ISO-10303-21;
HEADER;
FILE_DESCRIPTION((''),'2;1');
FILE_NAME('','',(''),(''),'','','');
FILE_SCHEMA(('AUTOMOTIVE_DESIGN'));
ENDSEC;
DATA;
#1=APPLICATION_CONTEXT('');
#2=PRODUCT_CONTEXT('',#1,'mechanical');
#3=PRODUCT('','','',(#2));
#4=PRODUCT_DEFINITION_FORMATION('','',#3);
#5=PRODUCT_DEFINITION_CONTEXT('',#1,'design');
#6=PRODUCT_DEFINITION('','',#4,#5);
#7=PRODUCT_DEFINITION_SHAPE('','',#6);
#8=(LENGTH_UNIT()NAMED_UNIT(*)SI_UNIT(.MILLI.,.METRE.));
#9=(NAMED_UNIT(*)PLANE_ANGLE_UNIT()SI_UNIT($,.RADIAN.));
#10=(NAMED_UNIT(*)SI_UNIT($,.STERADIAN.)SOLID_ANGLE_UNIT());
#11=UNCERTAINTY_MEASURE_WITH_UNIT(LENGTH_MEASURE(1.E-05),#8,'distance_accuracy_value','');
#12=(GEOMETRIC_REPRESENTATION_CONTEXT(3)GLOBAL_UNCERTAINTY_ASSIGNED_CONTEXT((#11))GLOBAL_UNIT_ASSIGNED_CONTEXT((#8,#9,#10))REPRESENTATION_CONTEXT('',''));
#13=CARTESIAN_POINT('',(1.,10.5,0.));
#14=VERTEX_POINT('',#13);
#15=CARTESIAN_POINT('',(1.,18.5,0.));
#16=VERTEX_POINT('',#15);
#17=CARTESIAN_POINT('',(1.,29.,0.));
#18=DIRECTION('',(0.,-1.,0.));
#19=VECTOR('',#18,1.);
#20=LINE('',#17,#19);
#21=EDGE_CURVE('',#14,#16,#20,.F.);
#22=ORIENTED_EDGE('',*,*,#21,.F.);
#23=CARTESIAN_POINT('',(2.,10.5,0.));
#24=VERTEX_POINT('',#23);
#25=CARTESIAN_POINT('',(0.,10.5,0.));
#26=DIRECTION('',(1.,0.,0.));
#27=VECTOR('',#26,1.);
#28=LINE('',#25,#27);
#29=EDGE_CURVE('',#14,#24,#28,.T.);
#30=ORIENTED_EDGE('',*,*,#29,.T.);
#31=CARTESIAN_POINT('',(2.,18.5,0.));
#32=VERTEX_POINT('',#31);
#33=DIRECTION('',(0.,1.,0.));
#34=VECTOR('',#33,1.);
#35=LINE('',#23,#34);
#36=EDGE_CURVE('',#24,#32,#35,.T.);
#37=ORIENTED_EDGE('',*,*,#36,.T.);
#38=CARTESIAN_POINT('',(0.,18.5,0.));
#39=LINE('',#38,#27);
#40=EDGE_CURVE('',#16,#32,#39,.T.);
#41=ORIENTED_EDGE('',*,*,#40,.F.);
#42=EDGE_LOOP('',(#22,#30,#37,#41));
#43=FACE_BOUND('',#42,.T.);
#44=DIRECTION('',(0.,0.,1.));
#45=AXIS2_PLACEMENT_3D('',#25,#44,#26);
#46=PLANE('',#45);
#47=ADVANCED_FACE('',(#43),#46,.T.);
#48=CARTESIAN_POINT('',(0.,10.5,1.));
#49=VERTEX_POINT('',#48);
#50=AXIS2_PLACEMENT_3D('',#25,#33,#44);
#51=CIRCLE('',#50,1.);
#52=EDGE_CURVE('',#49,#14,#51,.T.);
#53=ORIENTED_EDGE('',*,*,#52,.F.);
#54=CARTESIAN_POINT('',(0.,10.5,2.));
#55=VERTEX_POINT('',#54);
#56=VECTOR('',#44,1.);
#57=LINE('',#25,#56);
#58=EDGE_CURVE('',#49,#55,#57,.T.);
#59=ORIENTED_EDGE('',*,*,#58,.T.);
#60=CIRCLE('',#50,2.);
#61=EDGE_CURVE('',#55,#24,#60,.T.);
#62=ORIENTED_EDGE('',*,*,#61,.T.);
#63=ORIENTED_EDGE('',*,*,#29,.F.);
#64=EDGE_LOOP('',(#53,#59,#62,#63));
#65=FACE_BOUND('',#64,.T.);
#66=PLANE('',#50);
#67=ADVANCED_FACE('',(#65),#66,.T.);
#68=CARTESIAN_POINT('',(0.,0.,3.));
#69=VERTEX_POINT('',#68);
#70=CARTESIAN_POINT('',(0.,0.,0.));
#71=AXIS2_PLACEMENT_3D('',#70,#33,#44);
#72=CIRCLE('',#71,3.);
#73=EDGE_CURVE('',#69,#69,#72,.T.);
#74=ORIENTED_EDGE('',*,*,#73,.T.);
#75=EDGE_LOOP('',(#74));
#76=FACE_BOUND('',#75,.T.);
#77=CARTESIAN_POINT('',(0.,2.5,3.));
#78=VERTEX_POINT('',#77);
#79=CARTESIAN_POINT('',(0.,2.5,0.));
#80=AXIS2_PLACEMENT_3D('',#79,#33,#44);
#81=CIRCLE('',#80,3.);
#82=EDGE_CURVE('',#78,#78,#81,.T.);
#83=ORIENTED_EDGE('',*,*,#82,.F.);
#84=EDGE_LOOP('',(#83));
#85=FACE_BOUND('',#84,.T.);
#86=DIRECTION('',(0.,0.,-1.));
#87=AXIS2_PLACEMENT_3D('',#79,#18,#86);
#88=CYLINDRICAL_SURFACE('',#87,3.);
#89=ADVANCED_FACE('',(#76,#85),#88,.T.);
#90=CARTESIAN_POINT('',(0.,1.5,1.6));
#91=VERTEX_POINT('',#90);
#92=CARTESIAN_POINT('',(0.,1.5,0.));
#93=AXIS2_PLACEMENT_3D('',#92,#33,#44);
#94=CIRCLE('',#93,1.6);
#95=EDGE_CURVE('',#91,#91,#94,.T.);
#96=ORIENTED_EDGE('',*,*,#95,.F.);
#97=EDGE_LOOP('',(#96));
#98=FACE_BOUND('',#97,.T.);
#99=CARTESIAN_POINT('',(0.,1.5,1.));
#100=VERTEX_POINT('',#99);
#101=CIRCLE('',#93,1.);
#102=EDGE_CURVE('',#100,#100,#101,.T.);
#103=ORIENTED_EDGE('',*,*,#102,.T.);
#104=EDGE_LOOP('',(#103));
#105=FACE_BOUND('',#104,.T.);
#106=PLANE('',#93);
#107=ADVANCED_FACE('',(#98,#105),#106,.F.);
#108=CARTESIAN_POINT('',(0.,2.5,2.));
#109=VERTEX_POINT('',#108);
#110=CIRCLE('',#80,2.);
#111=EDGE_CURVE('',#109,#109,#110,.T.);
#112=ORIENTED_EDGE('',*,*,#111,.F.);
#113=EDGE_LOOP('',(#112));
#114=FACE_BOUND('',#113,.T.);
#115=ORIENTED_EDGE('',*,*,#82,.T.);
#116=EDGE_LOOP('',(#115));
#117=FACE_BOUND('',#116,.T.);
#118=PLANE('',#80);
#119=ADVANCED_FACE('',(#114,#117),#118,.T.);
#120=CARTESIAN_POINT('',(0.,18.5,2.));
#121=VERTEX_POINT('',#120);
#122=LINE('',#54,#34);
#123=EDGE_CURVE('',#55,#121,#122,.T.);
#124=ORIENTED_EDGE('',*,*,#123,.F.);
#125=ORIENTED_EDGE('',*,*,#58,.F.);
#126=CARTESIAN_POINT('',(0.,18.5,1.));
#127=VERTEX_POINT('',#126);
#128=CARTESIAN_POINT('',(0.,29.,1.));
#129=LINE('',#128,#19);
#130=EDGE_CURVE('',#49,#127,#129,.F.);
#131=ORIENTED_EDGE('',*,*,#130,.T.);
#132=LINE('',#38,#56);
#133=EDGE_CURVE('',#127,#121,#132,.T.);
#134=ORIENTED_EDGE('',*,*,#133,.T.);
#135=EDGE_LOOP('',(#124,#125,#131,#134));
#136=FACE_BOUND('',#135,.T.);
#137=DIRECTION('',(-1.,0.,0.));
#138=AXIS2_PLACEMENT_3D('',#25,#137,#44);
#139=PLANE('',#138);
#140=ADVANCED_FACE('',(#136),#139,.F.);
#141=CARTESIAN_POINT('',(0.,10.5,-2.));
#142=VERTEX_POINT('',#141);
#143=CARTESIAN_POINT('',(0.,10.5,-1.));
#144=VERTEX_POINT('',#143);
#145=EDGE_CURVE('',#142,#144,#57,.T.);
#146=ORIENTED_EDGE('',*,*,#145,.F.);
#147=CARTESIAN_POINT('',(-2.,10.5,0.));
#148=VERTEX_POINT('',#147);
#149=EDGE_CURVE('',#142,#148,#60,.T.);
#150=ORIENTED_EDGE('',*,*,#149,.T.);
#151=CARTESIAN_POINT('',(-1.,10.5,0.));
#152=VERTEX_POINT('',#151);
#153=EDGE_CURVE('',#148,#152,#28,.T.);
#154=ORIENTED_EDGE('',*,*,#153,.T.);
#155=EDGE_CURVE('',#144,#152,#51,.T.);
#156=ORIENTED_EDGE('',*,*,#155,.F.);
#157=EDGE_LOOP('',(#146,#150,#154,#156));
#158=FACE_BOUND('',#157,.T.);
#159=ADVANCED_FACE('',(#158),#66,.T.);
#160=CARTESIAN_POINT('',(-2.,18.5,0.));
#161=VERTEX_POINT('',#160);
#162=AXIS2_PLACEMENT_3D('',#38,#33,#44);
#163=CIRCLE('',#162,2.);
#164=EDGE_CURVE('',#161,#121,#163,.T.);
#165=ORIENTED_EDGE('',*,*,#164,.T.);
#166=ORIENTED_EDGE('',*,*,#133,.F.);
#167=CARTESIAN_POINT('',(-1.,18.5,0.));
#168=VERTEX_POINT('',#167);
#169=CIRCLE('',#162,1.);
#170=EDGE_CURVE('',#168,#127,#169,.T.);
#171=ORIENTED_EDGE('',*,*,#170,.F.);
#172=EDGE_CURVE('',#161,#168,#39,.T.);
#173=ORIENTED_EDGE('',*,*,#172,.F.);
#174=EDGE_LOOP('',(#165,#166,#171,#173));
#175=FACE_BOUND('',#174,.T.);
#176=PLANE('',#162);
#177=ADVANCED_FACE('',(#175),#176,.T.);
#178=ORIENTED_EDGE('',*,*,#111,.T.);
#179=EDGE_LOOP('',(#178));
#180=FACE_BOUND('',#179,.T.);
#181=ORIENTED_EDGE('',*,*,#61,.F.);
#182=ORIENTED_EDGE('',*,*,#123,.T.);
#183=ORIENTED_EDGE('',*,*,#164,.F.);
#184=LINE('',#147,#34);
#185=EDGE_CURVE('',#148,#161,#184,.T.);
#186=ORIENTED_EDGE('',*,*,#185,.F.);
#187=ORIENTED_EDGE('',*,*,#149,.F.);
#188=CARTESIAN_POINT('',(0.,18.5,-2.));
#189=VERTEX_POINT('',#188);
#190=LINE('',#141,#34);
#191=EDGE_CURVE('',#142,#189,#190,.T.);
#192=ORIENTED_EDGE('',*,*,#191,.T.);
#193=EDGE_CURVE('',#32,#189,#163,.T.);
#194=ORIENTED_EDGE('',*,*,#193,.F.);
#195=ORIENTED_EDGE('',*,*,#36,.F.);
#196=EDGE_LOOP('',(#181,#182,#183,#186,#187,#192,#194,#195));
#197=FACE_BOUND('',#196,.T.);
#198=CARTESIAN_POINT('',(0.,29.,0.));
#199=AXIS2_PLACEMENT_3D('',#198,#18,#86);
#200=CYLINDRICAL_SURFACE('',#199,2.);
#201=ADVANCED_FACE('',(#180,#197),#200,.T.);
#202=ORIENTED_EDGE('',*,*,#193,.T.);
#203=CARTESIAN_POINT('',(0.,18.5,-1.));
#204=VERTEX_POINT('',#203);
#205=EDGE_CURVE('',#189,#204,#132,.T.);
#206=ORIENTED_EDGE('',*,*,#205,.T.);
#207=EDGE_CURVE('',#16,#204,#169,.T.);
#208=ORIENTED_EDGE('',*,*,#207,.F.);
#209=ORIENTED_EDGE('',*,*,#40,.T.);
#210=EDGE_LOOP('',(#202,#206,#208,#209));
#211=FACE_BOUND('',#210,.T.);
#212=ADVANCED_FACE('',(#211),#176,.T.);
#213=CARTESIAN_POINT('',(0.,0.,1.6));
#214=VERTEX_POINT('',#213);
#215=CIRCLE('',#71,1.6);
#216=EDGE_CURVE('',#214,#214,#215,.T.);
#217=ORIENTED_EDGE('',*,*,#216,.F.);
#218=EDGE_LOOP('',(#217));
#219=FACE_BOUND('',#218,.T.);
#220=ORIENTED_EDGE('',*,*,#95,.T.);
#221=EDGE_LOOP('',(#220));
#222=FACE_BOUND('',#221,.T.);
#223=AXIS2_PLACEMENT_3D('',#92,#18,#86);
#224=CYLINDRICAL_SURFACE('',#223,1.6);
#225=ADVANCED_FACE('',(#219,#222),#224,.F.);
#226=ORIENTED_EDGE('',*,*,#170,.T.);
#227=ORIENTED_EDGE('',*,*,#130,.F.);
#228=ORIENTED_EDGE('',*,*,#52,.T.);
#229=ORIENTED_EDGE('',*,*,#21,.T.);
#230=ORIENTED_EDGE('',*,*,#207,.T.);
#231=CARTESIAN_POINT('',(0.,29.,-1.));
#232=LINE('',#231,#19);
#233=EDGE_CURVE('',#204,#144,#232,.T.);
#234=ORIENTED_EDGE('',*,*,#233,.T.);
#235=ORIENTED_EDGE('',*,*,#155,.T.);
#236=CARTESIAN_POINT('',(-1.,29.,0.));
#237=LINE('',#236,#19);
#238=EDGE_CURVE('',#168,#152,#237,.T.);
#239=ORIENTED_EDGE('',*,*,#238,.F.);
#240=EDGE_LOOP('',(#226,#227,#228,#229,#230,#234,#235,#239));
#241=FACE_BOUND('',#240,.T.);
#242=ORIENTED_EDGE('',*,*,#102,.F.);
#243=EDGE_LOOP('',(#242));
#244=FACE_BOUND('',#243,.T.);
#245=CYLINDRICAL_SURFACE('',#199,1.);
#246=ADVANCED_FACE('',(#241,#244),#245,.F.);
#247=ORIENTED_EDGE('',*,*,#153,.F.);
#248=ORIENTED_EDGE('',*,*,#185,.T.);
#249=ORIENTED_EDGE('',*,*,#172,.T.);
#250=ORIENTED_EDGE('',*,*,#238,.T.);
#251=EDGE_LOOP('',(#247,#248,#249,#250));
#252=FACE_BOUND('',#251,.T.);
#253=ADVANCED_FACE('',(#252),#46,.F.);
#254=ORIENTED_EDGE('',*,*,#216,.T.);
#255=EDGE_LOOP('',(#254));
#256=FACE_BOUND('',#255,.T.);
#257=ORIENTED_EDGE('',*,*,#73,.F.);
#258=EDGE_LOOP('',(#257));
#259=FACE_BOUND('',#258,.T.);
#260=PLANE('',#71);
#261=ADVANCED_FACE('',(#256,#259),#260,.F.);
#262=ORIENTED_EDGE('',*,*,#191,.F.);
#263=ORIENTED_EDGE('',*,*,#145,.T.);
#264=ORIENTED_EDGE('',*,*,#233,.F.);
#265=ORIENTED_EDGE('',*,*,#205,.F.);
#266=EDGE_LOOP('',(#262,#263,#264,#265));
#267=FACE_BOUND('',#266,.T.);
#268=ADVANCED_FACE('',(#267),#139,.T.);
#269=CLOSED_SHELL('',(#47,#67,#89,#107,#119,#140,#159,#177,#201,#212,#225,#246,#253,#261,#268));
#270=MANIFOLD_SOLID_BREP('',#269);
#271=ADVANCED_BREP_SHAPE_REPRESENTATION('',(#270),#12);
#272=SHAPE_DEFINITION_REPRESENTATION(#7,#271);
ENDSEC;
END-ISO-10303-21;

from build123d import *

# Parameters (mm, degrees)
SKETCH_1_R          = 2
SKETCH_1_R_2        = 1
EXTRUDE_1_DEPTH     = 29
SKETCH_2_R          = 3
SKETCH_2_R_2        = 2
EXTRUDE_2_DEPTH     = 2.5
EXTRUDE_START       = 26.5
SKETCH_3_R          = 3
SKETCH_3_R_2        = 2
EXTRUDE_3_DEPTH     = 2.5
SKETCH_4_R          = 1.6
CUT_EXTRUDE_1_DEPTH = 1.5
CUT_EXTRUDE_START   = 29
CUT_EXTRUDE_2_DEPTH = 1.6
CUT_EXTRUDE_START_2 = 18.5
SKETCH_7_R          = 3
CUT_EXTRUDE_3_DEPTH = 10.5
CUT_EXTRUDE_START_3 = 10.5
CUT_EXTRUDE_5_DEPTH = 8


with BuildPart() as part:
    # 草图1 → 凸台-拉伸1 (new body)
    with BuildSketch(Plane(origin=(0, 0, 0), x_dir=(1, 0, 0), z_dir=(0, 1, 0))):
        with Locations(Location((0, 0, 0), (0, 0, 90))):
            Circle(SKETCH_1_R)
        with Locations(Location((0, 0, 0), (0, 0, 90))):
            Circle(SKETCH_1_R_2, mode=Mode.SUBTRACT)
    extrude(amount=EXTRUDE_1_DEPTH)

    # 草图2 → 凸台-拉伸2 (add)
    with BuildSketch(Plane(origin=(0, 0, 0), x_dir=(1, 0, 0), z_dir=(0, 1, 0))):
        with Locations(Location((0, 0, 0), (0, 0, 270))):
            Circle(SKETCH_2_R)
        with Locations(Location((0, 0, 0), (0, 0, 90))):
            Circle(SKETCH_2_R_2, mode=Mode.SUBTRACT)
    extrude(amount=EXTRUDE_2_DEPTH)

    # 草图3 → 凸台-拉伸3 (add)
    with BuildSketch(Plane(origin=(0, 0, 0), x_dir=(1, 0, 0), z_dir=(0, 1, 0)).offset(EXTRUDE_START)):
        with Locations(Location((0, 0, 0), (0, 0, 270))):
            Circle(SKETCH_3_R)
        with Locations(Location((0, 0, 0), (0, 0, 90))):
            Circle(SKETCH_3_R_2, mode=Mode.SUBTRACT)
    extrude(amount=EXTRUDE_3_DEPTH)

    # 草图4 → 切除-拉伸1 (cut)
    with BuildSketch(Plane(origin=(0, 0, 0), x_dir=(1, 0, 0), z_dir=(0, 1, 0))):
        with Locations(Location((0, 0, 0), (0, 0, 270))):
            Circle(SKETCH_4_R)
    extrude(amount=CUT_EXTRUDE_1_DEPTH, mode=Mode.SUBTRACT)

    # 草图5 → 切除-拉伸2 (cut)
    with BuildSketch(Plane(origin=(0, 0, 0), x_dir=(1, 0, 0), z_dir=(0, 1, 0)).offset(CUT_EXTRUDE_START)):
        Polygon((0, -2.309401077), (2, -1.154700538), (2, 1.154700538), (0, 2.309401077), (-2, 1.154700538), (-2, -1.154700538), align=None)
    extrude(amount=-CUT_EXTRUDE_2_DEPTH, mode=Mode.SUBTRACT)

    # 草图7 → 切除-拉伸3 (cut)
    with BuildSketch(Plane(origin=(0, 0, 0), x_dir=(1, 0, 0), z_dir=(0, 1, 0)).offset(CUT_EXTRUDE_START_2)):
        with Locations(Location((0, 0, 0), (0, 0, 270))):
            Circle(SKETCH_7_R)
    extrude(amount=CUT_EXTRUDE_3_DEPTH, mode=Mode.SUBTRACT)

    # 草图8 → 切除-拉伸5 (cut)
    with BuildSketch(Plane(origin=(0, 0, 0), x_dir=(1, 0, 0), z_dir=(0, 1, 0)).offset(CUT_EXTRUDE_START_3)):
        with BuildLine():
            ThreePointArc((0, -2), (1.414213562, -1.414213562), (2, 0))
            Line((2, 0), (0, 0))
            Line((0, 0), (0, -2))
        make_face()
        with BuildLine():
            Line((-2, 0), (0, 0))
            Line((0, 0), (0, 2))
            ThreePointArc((0, 2), (-1.414213562, 1.414213562), (-2, 0))
        make_face()
    extrude(amount=CUT_EXTRUDE_5_DEPTH, mode=Mode.SUBTRACT)


solid = part.part
